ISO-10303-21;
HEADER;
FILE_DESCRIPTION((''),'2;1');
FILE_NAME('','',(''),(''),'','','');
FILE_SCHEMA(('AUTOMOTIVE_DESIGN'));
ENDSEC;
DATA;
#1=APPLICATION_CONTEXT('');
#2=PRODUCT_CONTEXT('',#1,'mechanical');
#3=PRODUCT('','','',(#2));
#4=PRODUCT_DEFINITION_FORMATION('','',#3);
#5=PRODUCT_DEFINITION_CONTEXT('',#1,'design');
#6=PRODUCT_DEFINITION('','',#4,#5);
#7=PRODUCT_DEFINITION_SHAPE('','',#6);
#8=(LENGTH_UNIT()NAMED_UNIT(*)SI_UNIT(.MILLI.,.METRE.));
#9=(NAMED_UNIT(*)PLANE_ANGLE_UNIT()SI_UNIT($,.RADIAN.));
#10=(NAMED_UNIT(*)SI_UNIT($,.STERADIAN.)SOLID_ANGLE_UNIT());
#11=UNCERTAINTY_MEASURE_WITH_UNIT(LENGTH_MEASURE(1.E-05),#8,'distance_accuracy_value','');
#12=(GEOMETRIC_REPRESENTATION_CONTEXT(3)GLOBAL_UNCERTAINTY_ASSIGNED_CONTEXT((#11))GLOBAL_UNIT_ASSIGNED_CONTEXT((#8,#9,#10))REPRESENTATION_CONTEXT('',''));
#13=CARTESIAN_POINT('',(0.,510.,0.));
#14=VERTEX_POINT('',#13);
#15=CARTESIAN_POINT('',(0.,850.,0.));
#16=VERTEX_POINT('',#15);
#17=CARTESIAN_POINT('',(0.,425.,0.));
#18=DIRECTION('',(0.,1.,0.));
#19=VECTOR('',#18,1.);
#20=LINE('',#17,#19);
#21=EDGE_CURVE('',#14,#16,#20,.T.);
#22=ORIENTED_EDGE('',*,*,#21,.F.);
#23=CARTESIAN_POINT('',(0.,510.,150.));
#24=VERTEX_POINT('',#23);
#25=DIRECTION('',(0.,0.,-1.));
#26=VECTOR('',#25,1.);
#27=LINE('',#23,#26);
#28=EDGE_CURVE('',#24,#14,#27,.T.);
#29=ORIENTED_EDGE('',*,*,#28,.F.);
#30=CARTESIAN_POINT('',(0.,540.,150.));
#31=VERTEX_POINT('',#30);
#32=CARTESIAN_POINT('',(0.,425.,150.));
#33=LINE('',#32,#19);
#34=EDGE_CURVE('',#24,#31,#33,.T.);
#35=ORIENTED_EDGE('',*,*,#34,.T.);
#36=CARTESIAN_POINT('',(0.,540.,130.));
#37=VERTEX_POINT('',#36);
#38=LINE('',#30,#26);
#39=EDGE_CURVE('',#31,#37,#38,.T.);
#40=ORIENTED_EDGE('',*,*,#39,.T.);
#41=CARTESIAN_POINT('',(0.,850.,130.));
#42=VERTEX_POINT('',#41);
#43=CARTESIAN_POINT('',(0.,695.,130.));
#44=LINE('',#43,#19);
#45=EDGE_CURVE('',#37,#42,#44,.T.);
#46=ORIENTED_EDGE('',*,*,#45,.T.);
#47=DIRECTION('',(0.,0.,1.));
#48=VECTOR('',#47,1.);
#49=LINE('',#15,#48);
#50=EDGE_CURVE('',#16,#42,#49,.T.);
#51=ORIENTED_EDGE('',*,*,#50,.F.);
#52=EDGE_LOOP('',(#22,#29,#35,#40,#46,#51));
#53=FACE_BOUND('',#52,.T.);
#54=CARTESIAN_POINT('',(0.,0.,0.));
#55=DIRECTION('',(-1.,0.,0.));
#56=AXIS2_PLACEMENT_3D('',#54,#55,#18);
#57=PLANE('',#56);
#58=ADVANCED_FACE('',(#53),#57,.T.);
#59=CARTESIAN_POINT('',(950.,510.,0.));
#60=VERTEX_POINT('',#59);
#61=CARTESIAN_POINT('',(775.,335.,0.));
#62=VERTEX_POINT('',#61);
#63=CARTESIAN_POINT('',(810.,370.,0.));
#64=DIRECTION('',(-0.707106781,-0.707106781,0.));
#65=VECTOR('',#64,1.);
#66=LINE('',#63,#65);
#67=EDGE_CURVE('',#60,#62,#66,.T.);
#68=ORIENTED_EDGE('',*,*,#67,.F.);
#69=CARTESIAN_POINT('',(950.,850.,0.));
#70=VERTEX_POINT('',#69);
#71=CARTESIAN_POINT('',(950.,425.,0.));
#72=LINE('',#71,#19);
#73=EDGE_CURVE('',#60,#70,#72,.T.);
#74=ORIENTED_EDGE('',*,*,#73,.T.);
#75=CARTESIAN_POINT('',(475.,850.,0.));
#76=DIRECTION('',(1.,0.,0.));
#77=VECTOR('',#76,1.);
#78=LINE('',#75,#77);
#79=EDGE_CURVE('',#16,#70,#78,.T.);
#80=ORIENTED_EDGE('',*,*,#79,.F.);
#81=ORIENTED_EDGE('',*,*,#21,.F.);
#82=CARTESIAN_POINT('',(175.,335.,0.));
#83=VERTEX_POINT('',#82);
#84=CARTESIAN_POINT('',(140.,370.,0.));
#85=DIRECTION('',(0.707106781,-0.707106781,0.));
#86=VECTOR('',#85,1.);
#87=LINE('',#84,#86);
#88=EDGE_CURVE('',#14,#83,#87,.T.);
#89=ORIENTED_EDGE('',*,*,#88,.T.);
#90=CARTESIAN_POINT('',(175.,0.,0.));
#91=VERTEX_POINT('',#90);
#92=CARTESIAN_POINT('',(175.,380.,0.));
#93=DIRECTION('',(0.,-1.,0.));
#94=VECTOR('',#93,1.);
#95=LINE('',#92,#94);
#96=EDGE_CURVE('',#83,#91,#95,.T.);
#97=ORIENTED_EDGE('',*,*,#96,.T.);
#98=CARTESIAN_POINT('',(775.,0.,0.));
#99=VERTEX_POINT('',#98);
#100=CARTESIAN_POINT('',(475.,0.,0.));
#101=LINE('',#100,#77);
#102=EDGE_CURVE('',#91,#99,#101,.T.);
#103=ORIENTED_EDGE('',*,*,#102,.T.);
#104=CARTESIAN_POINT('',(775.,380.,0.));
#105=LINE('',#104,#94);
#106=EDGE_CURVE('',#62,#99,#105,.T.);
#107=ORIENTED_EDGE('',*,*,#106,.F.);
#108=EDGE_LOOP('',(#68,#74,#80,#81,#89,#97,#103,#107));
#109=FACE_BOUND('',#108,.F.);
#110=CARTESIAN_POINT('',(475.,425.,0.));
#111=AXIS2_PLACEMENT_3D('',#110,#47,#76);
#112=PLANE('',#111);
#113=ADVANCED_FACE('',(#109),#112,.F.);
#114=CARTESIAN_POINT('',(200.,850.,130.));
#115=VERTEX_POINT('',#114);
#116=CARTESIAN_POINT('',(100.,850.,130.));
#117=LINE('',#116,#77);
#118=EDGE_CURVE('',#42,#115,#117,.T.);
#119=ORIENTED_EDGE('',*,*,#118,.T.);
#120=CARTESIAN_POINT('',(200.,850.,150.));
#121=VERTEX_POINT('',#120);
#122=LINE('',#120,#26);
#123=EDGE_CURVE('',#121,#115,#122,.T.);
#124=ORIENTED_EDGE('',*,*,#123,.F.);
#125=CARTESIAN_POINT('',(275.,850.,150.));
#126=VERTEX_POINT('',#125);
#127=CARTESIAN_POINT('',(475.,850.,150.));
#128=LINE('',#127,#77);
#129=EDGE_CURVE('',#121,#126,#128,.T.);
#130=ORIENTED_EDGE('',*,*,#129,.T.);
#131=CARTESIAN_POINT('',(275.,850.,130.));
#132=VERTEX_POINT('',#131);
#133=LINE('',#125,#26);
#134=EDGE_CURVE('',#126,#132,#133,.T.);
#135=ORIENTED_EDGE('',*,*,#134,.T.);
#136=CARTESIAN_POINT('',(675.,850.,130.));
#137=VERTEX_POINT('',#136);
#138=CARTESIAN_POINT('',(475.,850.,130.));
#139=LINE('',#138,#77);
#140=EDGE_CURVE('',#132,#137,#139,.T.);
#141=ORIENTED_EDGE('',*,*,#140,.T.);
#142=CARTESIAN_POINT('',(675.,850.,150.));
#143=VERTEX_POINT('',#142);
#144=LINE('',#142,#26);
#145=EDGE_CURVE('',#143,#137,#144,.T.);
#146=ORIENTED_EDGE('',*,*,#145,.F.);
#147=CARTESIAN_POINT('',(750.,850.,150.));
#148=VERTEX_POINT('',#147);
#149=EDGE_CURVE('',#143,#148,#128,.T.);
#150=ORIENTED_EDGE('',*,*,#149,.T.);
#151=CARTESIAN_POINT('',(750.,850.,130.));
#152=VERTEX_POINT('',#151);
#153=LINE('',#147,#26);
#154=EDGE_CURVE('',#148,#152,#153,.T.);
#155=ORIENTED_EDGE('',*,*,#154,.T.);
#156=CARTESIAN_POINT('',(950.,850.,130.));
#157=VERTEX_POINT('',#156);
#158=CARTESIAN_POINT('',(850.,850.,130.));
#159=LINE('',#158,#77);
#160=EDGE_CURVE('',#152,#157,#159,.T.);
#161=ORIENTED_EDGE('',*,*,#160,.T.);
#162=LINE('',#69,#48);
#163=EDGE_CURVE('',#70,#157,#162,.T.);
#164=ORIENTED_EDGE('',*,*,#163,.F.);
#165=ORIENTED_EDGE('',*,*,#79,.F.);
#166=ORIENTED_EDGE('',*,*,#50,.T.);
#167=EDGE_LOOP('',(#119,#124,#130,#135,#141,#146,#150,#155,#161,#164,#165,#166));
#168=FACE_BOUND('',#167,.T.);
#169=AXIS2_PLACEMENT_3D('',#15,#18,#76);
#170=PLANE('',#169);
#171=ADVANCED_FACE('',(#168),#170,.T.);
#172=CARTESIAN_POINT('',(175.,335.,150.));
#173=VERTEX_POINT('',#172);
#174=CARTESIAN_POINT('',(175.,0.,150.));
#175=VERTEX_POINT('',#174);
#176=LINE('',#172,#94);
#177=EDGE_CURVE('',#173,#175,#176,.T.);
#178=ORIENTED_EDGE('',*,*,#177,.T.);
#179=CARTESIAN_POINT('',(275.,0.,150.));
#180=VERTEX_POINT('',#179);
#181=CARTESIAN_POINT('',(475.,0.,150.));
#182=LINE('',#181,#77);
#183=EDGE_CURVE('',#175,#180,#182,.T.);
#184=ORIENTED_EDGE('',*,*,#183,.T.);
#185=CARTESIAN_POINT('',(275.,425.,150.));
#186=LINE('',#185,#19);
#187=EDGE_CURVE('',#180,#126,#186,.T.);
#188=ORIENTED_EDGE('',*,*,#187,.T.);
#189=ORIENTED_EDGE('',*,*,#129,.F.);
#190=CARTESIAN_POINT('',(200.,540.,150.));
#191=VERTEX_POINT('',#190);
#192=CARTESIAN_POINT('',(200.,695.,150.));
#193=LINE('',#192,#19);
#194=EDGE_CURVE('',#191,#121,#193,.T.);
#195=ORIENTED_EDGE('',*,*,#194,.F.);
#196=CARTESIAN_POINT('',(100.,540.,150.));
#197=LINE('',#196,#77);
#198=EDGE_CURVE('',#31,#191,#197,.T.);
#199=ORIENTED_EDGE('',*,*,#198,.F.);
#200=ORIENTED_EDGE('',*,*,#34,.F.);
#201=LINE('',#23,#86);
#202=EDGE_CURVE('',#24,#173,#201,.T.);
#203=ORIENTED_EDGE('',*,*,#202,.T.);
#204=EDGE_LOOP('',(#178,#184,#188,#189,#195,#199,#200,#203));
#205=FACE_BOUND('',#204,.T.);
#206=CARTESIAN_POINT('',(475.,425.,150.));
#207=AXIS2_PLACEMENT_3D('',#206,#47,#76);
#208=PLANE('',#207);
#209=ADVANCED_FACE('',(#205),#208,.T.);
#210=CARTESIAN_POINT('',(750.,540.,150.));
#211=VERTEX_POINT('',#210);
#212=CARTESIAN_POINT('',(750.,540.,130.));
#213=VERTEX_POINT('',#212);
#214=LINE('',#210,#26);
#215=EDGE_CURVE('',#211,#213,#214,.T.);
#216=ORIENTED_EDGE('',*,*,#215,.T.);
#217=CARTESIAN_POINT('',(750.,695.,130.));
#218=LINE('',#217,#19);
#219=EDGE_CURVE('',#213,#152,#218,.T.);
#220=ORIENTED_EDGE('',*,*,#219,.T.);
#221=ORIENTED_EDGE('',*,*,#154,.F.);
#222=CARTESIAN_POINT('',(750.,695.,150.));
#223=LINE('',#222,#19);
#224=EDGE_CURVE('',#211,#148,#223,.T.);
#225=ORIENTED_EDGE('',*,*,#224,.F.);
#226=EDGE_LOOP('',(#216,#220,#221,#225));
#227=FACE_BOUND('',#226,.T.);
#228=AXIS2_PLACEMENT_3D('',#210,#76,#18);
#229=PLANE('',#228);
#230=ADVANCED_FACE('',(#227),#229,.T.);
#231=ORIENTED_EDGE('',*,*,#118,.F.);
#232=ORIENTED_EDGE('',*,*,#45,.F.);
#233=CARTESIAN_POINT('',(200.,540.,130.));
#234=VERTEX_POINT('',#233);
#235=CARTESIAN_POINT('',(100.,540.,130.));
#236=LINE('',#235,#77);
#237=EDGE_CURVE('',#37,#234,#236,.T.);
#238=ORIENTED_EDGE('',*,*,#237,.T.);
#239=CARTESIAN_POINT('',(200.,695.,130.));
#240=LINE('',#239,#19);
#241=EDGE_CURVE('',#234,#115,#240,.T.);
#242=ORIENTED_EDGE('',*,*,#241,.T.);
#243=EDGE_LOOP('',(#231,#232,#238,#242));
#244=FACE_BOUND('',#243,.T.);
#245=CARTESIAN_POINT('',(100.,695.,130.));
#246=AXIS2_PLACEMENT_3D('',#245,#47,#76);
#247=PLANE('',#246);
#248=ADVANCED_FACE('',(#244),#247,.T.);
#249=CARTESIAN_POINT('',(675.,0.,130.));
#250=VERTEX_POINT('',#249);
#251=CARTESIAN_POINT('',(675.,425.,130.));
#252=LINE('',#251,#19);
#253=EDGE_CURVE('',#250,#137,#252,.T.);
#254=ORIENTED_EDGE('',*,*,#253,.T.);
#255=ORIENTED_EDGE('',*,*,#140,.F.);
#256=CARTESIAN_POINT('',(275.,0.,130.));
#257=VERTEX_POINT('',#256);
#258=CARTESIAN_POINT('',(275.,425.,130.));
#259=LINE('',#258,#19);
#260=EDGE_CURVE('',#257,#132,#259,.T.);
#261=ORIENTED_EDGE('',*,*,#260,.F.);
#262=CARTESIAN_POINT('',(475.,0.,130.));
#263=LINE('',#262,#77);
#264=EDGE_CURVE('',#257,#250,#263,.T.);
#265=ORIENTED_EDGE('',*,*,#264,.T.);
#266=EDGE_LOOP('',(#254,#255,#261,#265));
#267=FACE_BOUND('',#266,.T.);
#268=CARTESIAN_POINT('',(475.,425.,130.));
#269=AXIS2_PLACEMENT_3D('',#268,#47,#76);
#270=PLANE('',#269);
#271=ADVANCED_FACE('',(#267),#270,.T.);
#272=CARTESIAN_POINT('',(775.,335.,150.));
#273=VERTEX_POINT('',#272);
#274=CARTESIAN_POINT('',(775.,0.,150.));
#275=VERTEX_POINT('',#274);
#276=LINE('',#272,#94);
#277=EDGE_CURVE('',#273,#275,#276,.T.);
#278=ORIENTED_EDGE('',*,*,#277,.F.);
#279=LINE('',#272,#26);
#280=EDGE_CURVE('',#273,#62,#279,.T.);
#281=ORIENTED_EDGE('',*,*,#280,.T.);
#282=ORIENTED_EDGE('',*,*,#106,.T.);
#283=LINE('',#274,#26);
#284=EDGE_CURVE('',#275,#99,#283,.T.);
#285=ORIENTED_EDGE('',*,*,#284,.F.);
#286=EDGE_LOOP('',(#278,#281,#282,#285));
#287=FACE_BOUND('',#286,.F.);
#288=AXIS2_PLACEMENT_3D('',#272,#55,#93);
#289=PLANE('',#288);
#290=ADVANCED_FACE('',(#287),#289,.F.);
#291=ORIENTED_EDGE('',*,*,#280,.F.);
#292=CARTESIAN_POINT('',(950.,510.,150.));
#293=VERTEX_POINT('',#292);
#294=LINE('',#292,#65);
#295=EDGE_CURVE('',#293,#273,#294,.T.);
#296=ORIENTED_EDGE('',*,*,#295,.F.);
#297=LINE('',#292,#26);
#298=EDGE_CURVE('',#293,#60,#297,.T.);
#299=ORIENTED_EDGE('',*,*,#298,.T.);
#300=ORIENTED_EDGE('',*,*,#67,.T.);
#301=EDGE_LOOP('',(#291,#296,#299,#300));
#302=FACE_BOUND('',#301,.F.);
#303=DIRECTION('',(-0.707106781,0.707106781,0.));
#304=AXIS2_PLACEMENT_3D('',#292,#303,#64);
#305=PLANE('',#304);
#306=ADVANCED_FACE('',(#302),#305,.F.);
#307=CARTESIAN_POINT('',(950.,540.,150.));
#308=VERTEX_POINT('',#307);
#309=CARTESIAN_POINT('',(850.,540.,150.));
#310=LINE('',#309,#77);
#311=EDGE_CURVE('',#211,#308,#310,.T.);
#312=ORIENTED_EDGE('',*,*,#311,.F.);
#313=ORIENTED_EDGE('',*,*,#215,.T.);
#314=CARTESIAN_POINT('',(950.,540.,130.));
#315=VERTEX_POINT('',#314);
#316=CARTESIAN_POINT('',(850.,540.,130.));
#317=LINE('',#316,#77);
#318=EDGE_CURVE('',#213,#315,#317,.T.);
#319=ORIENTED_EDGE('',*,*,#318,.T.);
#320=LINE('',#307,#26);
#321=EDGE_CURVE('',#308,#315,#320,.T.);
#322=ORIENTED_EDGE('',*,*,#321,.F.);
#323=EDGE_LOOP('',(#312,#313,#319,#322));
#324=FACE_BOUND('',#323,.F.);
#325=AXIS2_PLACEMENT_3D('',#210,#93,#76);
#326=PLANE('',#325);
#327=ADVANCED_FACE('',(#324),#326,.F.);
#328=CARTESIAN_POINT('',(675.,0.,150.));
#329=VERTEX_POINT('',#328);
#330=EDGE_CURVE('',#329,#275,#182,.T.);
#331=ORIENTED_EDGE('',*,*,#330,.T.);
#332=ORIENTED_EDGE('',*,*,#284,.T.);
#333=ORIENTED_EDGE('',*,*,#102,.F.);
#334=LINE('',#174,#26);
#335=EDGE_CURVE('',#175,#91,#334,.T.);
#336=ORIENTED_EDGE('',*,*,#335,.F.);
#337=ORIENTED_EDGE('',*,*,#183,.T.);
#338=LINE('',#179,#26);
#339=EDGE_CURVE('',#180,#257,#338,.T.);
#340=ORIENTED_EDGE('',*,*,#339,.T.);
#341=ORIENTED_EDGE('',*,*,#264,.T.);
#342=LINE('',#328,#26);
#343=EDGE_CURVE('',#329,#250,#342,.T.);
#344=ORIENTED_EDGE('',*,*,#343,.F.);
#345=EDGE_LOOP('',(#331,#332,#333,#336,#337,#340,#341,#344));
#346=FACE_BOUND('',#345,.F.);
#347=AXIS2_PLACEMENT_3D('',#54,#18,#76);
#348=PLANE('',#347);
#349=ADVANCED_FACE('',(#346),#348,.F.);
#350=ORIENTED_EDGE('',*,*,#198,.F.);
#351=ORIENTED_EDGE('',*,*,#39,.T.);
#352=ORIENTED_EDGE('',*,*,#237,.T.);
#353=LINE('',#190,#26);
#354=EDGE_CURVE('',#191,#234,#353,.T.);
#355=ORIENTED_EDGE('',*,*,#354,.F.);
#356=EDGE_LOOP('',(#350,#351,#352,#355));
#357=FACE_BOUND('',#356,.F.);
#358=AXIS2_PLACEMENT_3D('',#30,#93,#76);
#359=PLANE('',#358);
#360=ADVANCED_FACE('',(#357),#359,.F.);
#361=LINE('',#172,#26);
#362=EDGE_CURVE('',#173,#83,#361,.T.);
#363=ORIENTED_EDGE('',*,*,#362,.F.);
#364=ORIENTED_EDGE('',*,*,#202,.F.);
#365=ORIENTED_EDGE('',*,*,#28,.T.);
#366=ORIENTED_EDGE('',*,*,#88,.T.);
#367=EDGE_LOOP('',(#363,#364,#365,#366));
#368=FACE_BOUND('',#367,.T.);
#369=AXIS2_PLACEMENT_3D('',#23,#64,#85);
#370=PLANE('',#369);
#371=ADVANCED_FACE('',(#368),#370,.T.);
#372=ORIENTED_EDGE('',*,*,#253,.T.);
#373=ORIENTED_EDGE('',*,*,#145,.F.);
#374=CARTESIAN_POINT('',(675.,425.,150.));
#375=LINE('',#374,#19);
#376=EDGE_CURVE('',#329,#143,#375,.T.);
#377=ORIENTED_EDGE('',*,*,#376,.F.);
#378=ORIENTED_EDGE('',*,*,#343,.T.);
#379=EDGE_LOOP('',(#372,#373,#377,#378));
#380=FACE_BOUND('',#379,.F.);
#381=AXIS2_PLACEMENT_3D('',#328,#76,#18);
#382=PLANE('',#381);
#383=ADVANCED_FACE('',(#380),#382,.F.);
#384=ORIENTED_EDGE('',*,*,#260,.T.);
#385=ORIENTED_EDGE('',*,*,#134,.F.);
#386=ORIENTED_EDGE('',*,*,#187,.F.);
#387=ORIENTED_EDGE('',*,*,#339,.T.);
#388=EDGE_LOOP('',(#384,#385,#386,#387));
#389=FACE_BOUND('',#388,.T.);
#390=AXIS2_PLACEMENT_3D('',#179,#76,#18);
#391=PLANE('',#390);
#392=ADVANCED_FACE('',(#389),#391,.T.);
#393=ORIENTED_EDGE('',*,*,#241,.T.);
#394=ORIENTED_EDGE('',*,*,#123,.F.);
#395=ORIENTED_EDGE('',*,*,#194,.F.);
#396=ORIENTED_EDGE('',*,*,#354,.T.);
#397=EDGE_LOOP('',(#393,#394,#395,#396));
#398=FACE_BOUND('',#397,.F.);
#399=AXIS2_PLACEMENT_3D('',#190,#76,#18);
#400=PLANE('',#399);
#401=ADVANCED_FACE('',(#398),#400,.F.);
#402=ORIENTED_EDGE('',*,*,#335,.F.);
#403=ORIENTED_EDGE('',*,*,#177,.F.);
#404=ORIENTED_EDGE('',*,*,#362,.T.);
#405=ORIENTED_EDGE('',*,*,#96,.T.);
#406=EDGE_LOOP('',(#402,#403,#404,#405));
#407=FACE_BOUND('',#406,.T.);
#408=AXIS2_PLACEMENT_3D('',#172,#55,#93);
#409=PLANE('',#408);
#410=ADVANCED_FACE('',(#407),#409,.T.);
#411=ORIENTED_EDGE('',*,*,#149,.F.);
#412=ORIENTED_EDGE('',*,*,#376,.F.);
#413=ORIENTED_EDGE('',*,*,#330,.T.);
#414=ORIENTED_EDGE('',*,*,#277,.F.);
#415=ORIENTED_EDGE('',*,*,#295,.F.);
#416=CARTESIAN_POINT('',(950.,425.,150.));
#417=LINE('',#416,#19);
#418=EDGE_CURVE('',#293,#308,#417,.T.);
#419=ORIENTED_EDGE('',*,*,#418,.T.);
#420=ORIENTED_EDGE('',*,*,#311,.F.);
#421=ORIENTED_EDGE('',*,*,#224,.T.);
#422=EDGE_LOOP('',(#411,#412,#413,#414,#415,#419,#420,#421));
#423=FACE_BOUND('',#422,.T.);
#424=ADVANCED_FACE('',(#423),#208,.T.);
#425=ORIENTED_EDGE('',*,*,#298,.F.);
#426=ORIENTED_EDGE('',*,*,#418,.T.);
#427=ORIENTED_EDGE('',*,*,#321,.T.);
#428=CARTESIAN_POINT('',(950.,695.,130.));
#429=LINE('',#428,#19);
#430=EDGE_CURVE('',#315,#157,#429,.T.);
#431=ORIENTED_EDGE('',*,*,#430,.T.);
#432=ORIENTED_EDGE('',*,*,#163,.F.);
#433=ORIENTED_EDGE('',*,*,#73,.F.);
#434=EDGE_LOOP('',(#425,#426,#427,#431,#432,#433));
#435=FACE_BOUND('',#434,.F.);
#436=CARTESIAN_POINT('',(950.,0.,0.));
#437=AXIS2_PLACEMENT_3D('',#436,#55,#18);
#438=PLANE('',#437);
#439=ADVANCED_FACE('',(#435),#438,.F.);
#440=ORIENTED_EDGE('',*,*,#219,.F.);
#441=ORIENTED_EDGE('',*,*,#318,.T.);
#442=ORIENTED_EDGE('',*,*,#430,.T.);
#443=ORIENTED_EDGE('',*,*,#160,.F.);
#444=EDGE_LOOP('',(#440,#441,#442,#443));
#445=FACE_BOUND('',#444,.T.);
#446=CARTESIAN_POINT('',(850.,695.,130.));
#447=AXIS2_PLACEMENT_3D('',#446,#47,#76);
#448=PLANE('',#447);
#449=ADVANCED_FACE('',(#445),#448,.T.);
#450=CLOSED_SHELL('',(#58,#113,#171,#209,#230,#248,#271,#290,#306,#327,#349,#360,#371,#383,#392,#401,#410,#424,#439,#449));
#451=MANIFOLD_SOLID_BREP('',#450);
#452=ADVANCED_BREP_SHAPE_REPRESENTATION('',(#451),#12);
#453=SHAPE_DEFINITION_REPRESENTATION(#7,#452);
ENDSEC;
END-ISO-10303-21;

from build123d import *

# Parameters (mm, degrees)
SKETCH_W        = 950
SKETCH_H        = 850
PAD_DEPTH       = 150
SKETCH002_W     = 200
SKETCH002_H     = 310
POCKET_DEPTH    = 20
SKETCH003_W     = 400
SKETCH003_H     = 850
POCKET001_DEPTH = 20
POCKET002_DEPTH = 150.001


with BuildPart() as part:
    # Sketch → Pad (new body)
    with BuildSketch(Plane.XY):
        with Locations((475, 425)):
            Rectangle(SKETCH_W, SKETCH_H)
    extrude(amount=PAD_DEPTH)

    # Sketch002 (on Face6 of Pad) → Pocket (cut)
    with BuildSketch(Plane.XY.offset(150)):
        with Locations((100, 695)):
            Rectangle(SKETCH002_W, SKETCH002_H)
        with Locations((850, 695)):
            Rectangle(SKETCH002_W, SKETCH002_H)
    extrude(amount=-POCKET_DEPTH, mode=Mode.SUBTRACT)

    # Sketch003 (on Face5 of Pocket) → Pocket001 (cut)
    with BuildSketch(Plane.XY.offset(150)):
        with Locations((475, 425)):
            Rectangle(SKETCH003_W, SKETCH003_H)
    extrude(amount=-POCKET001_DEPTH, mode=Mode.SUBTRACT)

    # Sketch004 (on Face4 of Pocket001) → Pocket002 (cut, through all)
    with BuildSketch(Plane.XY.offset(150)):
        Polygon((0, 510), (175, 335), (175, 0), (0, 0), align=None)
        Polygon((950, 510), (775, 335), (775, 0), (950, 0), align=None)
    extrude(amount=-POCKET002_DEPTH, mode=Mode.SUBTRACT)


solid = part.part
